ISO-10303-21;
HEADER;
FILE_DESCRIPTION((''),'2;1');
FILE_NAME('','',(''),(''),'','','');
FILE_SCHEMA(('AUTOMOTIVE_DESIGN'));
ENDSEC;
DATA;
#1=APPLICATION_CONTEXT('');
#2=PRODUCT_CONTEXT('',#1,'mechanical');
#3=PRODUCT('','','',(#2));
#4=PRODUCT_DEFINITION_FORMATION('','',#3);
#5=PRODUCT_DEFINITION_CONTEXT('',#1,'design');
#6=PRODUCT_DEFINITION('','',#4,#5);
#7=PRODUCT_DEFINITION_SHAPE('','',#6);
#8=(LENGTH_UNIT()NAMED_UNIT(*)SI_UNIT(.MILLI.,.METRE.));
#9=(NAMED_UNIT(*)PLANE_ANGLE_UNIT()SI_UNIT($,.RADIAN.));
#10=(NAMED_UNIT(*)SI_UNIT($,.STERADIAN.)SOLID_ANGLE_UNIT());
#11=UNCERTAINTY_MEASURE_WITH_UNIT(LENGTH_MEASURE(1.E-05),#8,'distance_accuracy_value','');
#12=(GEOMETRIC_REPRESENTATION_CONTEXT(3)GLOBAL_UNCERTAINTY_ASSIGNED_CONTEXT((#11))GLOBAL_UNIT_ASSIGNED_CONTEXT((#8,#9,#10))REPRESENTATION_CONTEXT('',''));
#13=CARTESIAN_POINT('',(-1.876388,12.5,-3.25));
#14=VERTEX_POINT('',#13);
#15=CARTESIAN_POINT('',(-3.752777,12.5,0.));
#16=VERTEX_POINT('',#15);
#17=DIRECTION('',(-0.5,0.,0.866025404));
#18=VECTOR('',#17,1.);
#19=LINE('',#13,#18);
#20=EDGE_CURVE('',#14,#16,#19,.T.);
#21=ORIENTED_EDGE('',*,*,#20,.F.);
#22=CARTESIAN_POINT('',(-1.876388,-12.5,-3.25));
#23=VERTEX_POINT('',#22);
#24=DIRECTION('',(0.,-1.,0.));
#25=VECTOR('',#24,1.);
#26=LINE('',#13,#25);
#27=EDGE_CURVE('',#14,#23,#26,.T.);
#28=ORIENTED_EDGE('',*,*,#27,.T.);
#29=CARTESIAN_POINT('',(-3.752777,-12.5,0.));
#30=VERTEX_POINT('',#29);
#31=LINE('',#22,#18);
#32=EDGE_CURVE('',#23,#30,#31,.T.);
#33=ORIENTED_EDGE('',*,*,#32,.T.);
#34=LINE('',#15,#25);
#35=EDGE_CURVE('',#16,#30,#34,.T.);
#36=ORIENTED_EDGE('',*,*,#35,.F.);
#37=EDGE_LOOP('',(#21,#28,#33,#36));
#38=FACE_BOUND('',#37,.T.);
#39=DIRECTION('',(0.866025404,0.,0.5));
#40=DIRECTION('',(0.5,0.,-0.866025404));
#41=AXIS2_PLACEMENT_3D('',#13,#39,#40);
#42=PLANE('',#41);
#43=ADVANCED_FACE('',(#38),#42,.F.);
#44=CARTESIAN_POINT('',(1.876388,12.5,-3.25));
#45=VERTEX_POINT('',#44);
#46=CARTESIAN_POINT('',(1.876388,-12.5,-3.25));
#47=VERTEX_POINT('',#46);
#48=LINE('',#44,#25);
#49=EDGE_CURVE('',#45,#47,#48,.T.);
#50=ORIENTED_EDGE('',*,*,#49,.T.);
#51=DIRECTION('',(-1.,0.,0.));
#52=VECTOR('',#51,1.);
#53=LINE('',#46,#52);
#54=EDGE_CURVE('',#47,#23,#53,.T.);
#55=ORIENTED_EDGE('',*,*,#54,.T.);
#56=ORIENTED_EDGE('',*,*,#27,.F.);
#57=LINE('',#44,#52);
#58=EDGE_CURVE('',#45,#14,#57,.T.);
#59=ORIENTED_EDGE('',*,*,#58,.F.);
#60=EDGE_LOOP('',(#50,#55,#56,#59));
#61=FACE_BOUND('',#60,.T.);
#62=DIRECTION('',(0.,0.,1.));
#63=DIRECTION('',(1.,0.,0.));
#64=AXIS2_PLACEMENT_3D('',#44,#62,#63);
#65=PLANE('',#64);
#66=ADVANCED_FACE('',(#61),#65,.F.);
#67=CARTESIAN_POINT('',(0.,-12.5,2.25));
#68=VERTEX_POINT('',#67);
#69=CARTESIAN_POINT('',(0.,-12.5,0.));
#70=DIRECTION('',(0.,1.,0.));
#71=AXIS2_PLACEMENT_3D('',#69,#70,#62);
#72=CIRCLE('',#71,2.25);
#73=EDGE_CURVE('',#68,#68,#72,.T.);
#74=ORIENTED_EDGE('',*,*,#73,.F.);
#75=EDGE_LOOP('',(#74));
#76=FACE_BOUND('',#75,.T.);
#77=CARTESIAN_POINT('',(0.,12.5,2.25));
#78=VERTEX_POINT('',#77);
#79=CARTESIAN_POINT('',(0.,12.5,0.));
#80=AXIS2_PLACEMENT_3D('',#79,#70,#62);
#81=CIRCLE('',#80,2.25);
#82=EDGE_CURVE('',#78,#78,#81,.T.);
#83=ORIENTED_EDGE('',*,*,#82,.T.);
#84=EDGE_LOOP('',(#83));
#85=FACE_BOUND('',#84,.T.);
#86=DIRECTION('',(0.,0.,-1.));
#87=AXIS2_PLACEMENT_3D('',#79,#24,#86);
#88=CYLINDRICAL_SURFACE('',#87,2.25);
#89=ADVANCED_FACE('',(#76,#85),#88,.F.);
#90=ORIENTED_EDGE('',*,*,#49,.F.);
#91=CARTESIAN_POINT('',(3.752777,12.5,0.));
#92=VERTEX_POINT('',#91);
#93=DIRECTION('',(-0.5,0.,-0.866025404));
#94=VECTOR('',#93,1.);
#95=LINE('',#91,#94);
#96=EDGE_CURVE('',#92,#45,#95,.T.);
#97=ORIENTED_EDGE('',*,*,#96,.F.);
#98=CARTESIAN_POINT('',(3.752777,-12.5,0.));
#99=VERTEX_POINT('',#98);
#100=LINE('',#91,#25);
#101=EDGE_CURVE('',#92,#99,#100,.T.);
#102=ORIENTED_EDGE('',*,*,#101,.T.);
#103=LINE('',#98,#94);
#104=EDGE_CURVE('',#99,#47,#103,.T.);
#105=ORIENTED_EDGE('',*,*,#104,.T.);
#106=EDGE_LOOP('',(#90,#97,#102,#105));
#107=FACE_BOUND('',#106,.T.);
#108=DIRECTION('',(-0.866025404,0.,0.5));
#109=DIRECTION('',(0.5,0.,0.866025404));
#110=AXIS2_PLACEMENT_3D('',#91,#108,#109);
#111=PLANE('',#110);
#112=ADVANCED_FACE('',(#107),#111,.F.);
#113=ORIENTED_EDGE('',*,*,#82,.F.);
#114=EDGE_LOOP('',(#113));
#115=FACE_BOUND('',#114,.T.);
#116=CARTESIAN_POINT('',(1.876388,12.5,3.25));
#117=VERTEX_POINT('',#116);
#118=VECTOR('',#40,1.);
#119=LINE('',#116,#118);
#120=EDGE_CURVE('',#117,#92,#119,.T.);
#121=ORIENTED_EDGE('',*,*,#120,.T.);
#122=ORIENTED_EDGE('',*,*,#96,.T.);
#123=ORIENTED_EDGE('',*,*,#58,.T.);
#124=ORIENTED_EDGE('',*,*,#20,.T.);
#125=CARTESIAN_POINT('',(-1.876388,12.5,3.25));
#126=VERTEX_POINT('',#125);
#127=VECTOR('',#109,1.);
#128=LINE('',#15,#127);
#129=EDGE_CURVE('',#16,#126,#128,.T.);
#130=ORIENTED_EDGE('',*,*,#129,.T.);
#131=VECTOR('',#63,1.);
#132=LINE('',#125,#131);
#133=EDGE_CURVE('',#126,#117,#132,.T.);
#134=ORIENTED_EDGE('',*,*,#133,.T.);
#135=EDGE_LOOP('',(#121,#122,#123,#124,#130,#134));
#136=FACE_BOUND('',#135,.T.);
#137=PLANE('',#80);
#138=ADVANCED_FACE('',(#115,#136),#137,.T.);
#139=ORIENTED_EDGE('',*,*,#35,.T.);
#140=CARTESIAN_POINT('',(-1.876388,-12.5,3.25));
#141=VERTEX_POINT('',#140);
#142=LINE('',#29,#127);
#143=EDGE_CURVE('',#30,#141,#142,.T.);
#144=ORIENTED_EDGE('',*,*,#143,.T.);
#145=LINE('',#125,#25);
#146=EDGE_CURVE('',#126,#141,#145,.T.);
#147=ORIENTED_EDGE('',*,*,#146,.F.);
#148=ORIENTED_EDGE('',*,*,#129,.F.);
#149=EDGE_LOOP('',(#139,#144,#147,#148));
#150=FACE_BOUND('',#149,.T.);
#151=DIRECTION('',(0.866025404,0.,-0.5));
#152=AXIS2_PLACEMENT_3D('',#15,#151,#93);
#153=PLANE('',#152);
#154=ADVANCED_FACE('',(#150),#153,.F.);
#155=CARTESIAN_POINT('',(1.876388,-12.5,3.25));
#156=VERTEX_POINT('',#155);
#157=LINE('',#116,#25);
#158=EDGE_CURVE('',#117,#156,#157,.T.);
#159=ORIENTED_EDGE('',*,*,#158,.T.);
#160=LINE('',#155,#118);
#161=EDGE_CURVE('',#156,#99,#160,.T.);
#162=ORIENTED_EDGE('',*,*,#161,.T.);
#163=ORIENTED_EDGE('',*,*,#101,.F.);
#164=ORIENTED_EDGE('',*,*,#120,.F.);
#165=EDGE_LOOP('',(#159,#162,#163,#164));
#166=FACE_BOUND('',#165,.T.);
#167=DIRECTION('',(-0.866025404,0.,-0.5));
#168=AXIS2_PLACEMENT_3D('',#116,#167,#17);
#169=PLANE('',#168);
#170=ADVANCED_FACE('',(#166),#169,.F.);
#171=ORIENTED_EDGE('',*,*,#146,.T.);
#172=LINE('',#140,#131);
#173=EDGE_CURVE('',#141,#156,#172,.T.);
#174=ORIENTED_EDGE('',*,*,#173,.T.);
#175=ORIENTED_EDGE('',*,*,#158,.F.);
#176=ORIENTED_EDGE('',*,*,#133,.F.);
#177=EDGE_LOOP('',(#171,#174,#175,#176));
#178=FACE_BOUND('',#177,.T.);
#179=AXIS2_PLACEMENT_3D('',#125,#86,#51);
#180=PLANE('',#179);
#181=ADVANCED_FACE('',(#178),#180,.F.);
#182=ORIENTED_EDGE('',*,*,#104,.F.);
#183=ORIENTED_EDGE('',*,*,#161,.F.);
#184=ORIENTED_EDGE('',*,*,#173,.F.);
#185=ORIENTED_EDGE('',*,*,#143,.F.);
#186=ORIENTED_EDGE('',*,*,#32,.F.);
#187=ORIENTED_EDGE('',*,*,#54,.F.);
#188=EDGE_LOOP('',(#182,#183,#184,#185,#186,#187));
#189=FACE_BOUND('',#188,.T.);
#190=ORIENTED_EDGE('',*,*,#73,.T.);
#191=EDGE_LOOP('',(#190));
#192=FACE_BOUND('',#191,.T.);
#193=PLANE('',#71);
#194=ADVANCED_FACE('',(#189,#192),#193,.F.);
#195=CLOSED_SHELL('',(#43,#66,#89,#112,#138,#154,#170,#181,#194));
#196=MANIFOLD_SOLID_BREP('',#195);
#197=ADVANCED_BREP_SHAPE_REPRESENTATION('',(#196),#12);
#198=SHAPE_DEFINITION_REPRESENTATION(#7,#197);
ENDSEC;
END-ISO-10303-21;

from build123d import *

# Parameters (mm, degrees)
SKETCH1_R           = 2.25
BOSS_EXTRUDE1_DEPTH = 12.5


with BuildPart() as part:
    # Sketch1 → Boss-Extrude1 (new, symmetric)
    with BuildSketch(Plane(origin=(0, 0, 0), x_dir=(1, 0, 0), z_dir=(0, 1, 0))):
        Polygon((1.876388375, 3.25), (-1.876388375, 3.25), (-3.75277675, 0), (-1.876388375, -3.25), (1.876388375, -3.25), (3.75277675, 0), align=None)
        with Locations(Location((0, 0, 0), (0, 0, 270))):
            Circle(SKETCH1_R, mode=Mode.SUBTRACT)
    extrude(amount=BOSS_EXTRUDE1_DEPTH, both=True)


solid = part.part
